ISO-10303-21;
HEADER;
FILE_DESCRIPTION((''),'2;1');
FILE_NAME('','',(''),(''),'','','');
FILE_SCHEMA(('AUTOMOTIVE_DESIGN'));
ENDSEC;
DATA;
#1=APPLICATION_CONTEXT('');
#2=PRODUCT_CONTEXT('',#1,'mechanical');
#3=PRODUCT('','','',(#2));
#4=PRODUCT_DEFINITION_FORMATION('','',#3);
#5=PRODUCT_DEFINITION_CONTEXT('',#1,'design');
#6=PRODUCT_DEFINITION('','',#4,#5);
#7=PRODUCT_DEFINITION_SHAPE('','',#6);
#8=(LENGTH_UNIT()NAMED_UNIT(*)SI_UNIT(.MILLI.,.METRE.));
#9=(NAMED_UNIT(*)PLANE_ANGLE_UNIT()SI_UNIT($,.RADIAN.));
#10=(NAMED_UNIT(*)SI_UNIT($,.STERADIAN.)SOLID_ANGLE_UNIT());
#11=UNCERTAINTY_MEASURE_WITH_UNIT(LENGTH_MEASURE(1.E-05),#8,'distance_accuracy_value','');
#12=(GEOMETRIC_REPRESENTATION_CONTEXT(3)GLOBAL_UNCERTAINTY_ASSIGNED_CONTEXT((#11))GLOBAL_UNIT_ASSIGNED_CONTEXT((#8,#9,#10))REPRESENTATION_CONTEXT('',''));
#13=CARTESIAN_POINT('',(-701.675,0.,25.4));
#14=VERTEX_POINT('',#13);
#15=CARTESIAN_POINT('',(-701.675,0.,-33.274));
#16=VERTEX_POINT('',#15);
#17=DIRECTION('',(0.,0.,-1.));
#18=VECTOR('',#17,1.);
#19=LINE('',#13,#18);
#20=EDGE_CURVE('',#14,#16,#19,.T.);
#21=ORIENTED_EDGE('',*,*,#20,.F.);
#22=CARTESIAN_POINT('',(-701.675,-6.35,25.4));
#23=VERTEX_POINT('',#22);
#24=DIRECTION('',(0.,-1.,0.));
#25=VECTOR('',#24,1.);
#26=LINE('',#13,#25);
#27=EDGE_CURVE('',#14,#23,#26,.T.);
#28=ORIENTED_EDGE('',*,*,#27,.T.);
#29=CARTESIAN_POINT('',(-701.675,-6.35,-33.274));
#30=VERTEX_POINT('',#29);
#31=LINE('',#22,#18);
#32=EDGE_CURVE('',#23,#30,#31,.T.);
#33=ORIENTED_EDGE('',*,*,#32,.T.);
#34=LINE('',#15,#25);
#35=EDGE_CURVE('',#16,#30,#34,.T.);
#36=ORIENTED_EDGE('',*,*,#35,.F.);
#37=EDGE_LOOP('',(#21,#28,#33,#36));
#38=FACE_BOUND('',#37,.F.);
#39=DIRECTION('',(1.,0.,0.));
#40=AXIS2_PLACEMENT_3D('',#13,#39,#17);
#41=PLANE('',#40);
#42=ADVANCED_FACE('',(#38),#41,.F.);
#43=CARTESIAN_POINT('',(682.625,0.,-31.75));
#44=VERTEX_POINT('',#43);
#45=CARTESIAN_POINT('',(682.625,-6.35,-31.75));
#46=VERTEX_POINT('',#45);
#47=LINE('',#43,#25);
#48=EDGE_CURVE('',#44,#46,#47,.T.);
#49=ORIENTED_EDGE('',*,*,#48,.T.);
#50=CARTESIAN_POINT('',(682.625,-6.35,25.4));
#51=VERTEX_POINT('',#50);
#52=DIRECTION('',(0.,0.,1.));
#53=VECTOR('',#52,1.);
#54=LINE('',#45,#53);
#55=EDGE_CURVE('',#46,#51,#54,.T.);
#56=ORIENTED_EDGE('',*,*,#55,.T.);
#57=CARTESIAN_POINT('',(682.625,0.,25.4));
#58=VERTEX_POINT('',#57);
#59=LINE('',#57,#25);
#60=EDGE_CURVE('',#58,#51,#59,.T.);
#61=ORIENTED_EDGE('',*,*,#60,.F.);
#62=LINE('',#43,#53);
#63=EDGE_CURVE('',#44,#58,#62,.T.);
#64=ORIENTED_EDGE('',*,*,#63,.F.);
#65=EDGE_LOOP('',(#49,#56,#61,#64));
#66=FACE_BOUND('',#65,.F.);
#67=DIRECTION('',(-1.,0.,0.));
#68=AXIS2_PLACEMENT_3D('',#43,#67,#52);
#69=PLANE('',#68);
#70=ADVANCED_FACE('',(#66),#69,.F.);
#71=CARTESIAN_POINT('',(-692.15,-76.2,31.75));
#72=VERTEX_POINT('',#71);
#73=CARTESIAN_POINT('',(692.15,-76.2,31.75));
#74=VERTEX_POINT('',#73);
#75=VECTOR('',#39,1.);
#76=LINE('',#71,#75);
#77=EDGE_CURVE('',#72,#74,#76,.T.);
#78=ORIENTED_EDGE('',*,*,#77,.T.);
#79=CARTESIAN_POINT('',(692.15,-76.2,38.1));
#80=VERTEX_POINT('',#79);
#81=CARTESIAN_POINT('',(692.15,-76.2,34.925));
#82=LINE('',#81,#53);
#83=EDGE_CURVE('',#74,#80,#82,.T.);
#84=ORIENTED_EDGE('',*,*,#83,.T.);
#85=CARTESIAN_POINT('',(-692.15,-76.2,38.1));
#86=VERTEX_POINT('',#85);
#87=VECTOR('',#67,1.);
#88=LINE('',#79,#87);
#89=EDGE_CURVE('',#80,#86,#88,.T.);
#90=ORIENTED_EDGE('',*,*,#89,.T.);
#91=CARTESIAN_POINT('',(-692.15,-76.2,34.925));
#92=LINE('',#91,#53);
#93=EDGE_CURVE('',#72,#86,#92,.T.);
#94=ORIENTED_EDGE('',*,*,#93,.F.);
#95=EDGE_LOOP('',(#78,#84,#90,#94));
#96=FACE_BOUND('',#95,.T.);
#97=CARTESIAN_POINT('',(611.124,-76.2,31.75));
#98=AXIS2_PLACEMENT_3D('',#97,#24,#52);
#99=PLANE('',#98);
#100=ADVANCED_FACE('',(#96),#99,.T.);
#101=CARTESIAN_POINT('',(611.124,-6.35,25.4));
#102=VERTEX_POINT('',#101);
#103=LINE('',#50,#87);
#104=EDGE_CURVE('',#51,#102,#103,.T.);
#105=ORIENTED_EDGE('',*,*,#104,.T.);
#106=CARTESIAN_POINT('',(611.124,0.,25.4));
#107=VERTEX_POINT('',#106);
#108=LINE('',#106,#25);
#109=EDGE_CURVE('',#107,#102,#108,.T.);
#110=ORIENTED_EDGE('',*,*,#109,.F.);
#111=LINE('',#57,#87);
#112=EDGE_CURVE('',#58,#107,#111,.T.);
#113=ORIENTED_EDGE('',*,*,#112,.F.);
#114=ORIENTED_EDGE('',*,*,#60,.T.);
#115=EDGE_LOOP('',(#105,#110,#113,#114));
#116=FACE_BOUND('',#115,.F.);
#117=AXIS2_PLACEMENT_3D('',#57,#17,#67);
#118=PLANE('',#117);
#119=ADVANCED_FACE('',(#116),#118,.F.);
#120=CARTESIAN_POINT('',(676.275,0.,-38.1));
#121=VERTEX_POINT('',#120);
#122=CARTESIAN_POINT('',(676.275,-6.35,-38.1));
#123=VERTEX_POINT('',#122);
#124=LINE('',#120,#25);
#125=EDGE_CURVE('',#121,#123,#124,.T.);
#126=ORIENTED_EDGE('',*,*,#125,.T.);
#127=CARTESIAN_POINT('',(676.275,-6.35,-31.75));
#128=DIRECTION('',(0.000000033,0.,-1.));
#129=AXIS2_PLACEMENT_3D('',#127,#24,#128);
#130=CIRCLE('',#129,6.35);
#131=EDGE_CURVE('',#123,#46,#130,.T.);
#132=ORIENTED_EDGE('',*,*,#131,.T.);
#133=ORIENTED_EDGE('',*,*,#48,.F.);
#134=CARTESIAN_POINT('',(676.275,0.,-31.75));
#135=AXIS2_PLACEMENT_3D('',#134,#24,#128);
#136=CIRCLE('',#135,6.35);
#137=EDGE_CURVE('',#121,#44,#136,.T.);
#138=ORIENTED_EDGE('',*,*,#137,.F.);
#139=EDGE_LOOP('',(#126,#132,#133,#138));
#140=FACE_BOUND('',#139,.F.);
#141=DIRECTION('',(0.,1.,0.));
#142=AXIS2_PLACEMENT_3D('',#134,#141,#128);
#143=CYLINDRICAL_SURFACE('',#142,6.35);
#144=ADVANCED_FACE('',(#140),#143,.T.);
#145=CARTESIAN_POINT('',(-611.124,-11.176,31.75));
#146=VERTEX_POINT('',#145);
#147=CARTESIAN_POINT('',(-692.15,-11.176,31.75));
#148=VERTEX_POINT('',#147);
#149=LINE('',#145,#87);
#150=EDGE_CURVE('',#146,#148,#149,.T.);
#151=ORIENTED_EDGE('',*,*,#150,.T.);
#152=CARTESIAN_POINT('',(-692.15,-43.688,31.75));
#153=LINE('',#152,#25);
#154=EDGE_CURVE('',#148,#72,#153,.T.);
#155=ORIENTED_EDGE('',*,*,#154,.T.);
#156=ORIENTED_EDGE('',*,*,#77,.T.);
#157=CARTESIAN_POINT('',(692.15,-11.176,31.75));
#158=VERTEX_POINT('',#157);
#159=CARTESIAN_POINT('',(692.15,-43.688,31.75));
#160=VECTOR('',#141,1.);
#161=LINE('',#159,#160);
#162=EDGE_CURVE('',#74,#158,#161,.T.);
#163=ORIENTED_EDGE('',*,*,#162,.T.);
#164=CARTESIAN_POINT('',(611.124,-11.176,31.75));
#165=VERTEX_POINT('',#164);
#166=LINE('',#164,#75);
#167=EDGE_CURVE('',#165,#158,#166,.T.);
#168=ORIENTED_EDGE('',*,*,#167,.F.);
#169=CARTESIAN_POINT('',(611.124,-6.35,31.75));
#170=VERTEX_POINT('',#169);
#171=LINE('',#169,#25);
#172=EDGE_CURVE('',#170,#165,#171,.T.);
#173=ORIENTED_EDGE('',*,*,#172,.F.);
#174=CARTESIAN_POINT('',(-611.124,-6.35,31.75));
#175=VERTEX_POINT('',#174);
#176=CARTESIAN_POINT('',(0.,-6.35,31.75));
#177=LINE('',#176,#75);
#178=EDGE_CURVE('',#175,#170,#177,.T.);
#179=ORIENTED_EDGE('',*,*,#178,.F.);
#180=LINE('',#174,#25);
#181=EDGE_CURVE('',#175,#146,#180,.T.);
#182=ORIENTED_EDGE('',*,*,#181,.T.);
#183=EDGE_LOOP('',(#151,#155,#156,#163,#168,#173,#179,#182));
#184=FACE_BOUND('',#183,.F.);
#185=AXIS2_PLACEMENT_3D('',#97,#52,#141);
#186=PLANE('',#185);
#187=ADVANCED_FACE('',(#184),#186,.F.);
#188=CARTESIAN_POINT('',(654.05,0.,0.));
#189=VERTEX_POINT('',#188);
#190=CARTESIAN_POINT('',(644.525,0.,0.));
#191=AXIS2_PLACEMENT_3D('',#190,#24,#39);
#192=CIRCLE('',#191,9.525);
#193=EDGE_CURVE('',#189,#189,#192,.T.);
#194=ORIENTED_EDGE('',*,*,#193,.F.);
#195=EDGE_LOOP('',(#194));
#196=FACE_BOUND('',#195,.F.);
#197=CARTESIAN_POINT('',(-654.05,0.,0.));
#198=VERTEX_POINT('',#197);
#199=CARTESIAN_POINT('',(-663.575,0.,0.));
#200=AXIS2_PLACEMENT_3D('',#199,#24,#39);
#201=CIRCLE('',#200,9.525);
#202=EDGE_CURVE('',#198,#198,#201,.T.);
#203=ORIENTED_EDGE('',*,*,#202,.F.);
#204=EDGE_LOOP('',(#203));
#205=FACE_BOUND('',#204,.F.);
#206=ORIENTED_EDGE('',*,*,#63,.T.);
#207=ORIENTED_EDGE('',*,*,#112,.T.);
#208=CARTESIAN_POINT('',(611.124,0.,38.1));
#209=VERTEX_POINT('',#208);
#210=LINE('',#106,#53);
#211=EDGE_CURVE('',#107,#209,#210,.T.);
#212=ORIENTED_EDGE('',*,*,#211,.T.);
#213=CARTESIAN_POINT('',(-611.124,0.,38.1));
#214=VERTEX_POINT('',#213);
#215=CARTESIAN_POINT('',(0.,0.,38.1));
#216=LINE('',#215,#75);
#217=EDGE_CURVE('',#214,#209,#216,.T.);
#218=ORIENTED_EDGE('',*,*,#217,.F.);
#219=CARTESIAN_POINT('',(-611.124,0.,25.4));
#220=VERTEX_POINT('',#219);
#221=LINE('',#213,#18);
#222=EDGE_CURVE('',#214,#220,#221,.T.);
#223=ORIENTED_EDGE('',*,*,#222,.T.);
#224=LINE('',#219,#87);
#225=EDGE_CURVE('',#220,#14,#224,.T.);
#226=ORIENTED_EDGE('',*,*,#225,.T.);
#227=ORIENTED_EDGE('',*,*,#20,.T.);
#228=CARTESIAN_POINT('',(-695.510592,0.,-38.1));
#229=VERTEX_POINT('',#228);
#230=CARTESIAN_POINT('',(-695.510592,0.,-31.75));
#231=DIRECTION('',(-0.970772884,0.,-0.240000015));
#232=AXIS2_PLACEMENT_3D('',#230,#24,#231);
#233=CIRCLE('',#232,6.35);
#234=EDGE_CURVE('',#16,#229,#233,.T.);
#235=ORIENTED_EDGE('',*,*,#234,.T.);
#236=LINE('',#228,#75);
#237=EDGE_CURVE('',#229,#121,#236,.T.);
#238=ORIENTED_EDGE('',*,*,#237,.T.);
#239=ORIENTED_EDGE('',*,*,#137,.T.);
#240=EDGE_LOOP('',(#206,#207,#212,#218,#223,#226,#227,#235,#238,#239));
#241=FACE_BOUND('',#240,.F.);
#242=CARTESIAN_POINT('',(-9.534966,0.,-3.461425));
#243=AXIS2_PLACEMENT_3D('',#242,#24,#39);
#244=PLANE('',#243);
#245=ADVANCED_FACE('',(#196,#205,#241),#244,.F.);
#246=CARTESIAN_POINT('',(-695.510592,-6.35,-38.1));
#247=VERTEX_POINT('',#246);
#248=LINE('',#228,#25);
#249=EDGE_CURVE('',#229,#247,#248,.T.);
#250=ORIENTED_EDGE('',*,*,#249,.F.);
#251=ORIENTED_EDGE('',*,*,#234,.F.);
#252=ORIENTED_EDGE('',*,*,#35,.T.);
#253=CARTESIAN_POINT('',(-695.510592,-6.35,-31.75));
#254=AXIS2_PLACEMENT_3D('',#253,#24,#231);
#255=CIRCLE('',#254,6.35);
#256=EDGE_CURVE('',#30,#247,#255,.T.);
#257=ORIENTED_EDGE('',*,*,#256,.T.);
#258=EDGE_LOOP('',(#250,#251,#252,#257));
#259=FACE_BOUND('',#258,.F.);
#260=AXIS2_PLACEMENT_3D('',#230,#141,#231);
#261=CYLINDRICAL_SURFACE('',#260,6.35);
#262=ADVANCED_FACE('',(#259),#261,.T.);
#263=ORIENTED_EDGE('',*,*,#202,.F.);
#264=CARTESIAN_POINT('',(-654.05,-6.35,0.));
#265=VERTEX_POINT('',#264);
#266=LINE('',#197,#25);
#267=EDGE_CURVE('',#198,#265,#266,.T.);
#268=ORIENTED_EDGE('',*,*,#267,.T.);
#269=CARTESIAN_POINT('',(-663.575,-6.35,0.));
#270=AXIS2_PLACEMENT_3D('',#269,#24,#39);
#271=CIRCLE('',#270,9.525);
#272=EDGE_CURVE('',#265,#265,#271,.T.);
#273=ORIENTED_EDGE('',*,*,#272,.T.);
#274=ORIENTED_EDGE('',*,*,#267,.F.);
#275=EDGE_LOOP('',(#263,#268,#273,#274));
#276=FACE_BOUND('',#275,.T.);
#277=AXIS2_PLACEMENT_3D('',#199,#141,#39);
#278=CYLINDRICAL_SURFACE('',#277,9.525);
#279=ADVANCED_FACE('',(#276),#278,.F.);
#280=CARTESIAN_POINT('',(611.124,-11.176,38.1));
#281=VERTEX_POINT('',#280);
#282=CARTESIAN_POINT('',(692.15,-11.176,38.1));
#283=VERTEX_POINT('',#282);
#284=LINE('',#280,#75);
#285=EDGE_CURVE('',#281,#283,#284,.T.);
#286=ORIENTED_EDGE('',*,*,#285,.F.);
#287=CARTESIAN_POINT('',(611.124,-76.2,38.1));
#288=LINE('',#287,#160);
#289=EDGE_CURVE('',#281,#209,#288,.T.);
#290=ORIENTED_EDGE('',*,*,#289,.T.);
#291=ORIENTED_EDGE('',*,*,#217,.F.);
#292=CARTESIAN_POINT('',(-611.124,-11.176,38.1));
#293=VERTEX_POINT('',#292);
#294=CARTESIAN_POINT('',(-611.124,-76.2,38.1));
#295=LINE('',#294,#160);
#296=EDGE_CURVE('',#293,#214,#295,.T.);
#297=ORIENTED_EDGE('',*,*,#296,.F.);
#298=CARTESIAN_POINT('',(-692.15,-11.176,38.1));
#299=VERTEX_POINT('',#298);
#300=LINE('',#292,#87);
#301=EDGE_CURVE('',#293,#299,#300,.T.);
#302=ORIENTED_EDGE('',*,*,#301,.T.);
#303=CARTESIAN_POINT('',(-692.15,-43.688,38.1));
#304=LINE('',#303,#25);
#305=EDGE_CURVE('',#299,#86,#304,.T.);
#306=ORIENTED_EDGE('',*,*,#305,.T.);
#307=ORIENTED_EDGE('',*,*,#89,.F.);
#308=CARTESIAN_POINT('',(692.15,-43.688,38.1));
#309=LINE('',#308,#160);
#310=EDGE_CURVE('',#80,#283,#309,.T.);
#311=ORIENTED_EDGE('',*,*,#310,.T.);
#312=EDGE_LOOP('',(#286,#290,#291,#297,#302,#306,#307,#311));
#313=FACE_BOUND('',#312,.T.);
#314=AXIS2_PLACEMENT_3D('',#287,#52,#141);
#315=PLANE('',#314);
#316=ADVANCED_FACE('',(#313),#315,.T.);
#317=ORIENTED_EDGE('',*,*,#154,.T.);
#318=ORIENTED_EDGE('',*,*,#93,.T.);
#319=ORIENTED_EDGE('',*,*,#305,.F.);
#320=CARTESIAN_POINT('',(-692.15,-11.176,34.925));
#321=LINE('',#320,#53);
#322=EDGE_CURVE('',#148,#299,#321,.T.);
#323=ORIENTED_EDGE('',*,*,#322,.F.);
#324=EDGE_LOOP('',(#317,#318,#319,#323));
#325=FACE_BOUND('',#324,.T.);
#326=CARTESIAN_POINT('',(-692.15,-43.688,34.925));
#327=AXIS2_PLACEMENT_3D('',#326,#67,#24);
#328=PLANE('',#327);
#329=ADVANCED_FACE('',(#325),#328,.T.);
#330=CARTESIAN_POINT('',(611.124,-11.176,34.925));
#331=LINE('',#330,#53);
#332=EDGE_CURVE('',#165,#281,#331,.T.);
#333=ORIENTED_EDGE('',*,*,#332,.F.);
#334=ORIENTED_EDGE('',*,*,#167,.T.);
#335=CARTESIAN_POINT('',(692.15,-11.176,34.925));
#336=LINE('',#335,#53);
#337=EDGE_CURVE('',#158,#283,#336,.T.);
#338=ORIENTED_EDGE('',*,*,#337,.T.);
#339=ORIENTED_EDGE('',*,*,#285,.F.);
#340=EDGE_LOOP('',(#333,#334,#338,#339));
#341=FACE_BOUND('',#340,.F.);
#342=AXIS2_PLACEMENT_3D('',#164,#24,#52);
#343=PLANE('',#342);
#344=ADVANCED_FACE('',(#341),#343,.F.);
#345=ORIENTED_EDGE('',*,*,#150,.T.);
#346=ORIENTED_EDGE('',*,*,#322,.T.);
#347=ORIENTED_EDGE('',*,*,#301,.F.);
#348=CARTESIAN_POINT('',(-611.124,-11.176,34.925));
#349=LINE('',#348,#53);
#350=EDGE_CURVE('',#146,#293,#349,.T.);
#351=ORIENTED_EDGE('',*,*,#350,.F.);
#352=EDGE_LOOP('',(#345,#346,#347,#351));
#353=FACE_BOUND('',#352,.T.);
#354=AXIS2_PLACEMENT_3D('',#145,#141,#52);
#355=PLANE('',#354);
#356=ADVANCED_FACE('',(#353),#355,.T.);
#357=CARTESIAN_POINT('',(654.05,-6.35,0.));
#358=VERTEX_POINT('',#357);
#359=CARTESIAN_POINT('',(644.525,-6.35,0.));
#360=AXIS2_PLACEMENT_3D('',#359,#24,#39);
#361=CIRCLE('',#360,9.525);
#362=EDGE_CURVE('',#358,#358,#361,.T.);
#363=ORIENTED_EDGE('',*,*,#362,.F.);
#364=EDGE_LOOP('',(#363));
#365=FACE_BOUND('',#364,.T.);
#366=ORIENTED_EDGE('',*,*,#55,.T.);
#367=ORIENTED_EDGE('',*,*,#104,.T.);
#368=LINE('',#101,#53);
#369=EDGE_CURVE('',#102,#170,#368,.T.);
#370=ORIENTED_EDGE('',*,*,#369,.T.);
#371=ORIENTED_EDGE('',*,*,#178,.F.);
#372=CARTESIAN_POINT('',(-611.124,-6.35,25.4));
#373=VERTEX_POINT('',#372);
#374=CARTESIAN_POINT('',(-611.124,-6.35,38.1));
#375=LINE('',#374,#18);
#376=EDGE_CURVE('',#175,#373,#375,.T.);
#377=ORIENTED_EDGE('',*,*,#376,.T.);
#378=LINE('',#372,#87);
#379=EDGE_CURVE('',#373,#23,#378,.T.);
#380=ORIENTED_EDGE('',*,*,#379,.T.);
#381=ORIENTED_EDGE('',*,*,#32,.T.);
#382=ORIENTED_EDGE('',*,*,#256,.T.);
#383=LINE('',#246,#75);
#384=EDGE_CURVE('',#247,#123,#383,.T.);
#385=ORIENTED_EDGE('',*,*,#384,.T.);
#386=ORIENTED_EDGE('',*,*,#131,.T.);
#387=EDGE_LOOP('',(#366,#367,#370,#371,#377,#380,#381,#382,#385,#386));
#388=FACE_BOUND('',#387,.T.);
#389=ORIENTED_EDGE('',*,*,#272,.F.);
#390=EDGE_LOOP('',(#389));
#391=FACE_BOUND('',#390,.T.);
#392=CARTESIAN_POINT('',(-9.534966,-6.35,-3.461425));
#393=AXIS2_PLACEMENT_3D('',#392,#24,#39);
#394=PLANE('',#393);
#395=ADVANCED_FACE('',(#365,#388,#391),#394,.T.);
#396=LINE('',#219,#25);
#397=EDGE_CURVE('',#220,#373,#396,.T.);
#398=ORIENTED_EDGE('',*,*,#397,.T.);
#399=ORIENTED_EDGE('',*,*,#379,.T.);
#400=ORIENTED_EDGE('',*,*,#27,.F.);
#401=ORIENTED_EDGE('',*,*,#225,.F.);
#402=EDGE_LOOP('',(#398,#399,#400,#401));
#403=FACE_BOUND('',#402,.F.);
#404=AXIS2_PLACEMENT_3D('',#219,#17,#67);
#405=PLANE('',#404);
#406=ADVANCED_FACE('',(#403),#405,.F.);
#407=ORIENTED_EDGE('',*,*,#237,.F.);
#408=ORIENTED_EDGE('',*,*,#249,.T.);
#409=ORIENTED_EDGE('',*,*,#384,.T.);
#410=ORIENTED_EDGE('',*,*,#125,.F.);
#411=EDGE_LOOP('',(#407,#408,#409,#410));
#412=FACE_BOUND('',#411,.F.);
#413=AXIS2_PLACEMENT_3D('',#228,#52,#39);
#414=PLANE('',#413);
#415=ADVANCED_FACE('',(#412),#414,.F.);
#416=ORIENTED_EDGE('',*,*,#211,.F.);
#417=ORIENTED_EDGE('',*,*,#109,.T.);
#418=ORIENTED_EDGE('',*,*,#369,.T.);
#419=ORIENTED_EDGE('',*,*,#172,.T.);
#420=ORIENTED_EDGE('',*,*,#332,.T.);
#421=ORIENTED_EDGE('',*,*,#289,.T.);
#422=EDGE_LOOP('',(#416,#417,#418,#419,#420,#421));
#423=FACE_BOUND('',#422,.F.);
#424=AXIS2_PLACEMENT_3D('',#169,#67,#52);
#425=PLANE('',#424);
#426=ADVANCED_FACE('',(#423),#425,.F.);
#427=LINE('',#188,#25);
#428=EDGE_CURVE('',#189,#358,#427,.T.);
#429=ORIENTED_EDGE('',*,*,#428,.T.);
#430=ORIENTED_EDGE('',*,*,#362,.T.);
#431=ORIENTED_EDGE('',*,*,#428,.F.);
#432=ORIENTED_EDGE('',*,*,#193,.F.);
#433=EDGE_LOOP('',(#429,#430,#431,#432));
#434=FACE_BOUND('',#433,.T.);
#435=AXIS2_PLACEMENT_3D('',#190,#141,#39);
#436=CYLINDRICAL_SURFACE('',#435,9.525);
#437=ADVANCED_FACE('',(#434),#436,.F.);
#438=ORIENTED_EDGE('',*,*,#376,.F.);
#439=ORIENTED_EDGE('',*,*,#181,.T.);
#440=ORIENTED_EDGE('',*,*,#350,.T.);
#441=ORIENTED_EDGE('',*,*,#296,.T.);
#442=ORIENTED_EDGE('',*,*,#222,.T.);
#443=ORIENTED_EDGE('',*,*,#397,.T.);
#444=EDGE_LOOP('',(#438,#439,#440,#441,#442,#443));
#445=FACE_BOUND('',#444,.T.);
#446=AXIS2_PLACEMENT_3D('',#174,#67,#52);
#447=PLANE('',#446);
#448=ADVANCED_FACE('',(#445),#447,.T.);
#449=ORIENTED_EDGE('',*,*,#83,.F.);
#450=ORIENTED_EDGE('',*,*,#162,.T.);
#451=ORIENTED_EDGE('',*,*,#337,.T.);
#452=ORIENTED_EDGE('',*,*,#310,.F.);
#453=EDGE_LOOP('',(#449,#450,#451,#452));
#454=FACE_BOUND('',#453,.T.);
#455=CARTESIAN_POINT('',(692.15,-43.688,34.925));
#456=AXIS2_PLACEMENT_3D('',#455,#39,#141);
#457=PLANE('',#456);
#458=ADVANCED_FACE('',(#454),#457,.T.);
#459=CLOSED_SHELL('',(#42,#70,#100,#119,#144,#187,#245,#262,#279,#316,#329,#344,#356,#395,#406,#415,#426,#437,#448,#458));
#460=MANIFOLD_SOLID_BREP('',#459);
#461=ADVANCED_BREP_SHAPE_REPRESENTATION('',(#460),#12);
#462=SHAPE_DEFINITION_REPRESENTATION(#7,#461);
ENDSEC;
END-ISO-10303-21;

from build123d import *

# Parameters (mm, degrees)
F0_R     = 9.525
F0_W     = 1222.248
F0_H     = 6.35
F1_DEPTH = 6.35
F2_W     = 1222.248
F2_H     = 6.35
F3_DEPTH = 69.85
F4_W     = 65.024
F4_H     = 6.35
F5_DEPTH = 81.026
F6_W     = 65.024
F6_H     = 6.35
F7_DEPTH = 81.026


with BuildPart() as f1:
    # F0 (on Front) → F1 (new body)
    with BuildSketch(Plane.XZ):
        with BuildLine():
            ThreePointArc((-701.675, -33.274), (-699.424995, -36.749995), (-695.510592, -38.1))
            Line((-695.510592, -38.1), (676.275, -38.1))
            ThreePointArc((676.275, -38.1), (680.765128, -36.240128), (682.625, -31.75))
            Line((682.625, -31.75), (682.625, 25.4))
            Line((682.625, 25.4), (611.124, 25.4))
            Line((611.124, 25.4), (611.124, 31.75))
            Line((611.124, 31.75), (-611.124, 31.75))
            Line((-611.124, 31.75), (-611.124, 25.4))
            Line((-611.124, 25.4), (-701.675, 25.4))
            Line((-701.675, 25.4), (-701.675, -33.274))
        make_face()
        with Locations((-663.575, 0)):
            Circle(F0_R, mode=Mode.SUBTRACT)
        with Locations((644.525, 0)):
            Circle(F0_R, mode=Mode.SUBTRACT)
        with Locations((0, 34.925)):
            Rectangle(F0_W, F0_H)
    extrude(amount=F1_DEPTH)

    # F2 (on face) → F3 (join)
    with BuildSketch(Plane.XZ.offset(6.35)):
        with Locations((0, 34.925)):
            Rectangle(F2_W, F2_H)
    extrude(amount=F3_DEPTH)

    # F4 (on face) → F5 (join)
    with BuildSketch(Plane(origin=(-611.124, 0, 0), x_dir=(0, -1, 0), z_dir=(-1, 0, 0))):
        with Locations((43.688, 34.925)):
            Rectangle(F4_W, F4_H)
    extrude(amount=F5_DEPTH)

    # F6 (on face) → F7 (join)
    with BuildSketch(Plane.YZ.offset(611.124)):
        with Locations((-43.688, 34.925)):
            Rectangle(F6_W, F6_H)
    extrude(amount=F7_DEPTH)


solid = f1.part
